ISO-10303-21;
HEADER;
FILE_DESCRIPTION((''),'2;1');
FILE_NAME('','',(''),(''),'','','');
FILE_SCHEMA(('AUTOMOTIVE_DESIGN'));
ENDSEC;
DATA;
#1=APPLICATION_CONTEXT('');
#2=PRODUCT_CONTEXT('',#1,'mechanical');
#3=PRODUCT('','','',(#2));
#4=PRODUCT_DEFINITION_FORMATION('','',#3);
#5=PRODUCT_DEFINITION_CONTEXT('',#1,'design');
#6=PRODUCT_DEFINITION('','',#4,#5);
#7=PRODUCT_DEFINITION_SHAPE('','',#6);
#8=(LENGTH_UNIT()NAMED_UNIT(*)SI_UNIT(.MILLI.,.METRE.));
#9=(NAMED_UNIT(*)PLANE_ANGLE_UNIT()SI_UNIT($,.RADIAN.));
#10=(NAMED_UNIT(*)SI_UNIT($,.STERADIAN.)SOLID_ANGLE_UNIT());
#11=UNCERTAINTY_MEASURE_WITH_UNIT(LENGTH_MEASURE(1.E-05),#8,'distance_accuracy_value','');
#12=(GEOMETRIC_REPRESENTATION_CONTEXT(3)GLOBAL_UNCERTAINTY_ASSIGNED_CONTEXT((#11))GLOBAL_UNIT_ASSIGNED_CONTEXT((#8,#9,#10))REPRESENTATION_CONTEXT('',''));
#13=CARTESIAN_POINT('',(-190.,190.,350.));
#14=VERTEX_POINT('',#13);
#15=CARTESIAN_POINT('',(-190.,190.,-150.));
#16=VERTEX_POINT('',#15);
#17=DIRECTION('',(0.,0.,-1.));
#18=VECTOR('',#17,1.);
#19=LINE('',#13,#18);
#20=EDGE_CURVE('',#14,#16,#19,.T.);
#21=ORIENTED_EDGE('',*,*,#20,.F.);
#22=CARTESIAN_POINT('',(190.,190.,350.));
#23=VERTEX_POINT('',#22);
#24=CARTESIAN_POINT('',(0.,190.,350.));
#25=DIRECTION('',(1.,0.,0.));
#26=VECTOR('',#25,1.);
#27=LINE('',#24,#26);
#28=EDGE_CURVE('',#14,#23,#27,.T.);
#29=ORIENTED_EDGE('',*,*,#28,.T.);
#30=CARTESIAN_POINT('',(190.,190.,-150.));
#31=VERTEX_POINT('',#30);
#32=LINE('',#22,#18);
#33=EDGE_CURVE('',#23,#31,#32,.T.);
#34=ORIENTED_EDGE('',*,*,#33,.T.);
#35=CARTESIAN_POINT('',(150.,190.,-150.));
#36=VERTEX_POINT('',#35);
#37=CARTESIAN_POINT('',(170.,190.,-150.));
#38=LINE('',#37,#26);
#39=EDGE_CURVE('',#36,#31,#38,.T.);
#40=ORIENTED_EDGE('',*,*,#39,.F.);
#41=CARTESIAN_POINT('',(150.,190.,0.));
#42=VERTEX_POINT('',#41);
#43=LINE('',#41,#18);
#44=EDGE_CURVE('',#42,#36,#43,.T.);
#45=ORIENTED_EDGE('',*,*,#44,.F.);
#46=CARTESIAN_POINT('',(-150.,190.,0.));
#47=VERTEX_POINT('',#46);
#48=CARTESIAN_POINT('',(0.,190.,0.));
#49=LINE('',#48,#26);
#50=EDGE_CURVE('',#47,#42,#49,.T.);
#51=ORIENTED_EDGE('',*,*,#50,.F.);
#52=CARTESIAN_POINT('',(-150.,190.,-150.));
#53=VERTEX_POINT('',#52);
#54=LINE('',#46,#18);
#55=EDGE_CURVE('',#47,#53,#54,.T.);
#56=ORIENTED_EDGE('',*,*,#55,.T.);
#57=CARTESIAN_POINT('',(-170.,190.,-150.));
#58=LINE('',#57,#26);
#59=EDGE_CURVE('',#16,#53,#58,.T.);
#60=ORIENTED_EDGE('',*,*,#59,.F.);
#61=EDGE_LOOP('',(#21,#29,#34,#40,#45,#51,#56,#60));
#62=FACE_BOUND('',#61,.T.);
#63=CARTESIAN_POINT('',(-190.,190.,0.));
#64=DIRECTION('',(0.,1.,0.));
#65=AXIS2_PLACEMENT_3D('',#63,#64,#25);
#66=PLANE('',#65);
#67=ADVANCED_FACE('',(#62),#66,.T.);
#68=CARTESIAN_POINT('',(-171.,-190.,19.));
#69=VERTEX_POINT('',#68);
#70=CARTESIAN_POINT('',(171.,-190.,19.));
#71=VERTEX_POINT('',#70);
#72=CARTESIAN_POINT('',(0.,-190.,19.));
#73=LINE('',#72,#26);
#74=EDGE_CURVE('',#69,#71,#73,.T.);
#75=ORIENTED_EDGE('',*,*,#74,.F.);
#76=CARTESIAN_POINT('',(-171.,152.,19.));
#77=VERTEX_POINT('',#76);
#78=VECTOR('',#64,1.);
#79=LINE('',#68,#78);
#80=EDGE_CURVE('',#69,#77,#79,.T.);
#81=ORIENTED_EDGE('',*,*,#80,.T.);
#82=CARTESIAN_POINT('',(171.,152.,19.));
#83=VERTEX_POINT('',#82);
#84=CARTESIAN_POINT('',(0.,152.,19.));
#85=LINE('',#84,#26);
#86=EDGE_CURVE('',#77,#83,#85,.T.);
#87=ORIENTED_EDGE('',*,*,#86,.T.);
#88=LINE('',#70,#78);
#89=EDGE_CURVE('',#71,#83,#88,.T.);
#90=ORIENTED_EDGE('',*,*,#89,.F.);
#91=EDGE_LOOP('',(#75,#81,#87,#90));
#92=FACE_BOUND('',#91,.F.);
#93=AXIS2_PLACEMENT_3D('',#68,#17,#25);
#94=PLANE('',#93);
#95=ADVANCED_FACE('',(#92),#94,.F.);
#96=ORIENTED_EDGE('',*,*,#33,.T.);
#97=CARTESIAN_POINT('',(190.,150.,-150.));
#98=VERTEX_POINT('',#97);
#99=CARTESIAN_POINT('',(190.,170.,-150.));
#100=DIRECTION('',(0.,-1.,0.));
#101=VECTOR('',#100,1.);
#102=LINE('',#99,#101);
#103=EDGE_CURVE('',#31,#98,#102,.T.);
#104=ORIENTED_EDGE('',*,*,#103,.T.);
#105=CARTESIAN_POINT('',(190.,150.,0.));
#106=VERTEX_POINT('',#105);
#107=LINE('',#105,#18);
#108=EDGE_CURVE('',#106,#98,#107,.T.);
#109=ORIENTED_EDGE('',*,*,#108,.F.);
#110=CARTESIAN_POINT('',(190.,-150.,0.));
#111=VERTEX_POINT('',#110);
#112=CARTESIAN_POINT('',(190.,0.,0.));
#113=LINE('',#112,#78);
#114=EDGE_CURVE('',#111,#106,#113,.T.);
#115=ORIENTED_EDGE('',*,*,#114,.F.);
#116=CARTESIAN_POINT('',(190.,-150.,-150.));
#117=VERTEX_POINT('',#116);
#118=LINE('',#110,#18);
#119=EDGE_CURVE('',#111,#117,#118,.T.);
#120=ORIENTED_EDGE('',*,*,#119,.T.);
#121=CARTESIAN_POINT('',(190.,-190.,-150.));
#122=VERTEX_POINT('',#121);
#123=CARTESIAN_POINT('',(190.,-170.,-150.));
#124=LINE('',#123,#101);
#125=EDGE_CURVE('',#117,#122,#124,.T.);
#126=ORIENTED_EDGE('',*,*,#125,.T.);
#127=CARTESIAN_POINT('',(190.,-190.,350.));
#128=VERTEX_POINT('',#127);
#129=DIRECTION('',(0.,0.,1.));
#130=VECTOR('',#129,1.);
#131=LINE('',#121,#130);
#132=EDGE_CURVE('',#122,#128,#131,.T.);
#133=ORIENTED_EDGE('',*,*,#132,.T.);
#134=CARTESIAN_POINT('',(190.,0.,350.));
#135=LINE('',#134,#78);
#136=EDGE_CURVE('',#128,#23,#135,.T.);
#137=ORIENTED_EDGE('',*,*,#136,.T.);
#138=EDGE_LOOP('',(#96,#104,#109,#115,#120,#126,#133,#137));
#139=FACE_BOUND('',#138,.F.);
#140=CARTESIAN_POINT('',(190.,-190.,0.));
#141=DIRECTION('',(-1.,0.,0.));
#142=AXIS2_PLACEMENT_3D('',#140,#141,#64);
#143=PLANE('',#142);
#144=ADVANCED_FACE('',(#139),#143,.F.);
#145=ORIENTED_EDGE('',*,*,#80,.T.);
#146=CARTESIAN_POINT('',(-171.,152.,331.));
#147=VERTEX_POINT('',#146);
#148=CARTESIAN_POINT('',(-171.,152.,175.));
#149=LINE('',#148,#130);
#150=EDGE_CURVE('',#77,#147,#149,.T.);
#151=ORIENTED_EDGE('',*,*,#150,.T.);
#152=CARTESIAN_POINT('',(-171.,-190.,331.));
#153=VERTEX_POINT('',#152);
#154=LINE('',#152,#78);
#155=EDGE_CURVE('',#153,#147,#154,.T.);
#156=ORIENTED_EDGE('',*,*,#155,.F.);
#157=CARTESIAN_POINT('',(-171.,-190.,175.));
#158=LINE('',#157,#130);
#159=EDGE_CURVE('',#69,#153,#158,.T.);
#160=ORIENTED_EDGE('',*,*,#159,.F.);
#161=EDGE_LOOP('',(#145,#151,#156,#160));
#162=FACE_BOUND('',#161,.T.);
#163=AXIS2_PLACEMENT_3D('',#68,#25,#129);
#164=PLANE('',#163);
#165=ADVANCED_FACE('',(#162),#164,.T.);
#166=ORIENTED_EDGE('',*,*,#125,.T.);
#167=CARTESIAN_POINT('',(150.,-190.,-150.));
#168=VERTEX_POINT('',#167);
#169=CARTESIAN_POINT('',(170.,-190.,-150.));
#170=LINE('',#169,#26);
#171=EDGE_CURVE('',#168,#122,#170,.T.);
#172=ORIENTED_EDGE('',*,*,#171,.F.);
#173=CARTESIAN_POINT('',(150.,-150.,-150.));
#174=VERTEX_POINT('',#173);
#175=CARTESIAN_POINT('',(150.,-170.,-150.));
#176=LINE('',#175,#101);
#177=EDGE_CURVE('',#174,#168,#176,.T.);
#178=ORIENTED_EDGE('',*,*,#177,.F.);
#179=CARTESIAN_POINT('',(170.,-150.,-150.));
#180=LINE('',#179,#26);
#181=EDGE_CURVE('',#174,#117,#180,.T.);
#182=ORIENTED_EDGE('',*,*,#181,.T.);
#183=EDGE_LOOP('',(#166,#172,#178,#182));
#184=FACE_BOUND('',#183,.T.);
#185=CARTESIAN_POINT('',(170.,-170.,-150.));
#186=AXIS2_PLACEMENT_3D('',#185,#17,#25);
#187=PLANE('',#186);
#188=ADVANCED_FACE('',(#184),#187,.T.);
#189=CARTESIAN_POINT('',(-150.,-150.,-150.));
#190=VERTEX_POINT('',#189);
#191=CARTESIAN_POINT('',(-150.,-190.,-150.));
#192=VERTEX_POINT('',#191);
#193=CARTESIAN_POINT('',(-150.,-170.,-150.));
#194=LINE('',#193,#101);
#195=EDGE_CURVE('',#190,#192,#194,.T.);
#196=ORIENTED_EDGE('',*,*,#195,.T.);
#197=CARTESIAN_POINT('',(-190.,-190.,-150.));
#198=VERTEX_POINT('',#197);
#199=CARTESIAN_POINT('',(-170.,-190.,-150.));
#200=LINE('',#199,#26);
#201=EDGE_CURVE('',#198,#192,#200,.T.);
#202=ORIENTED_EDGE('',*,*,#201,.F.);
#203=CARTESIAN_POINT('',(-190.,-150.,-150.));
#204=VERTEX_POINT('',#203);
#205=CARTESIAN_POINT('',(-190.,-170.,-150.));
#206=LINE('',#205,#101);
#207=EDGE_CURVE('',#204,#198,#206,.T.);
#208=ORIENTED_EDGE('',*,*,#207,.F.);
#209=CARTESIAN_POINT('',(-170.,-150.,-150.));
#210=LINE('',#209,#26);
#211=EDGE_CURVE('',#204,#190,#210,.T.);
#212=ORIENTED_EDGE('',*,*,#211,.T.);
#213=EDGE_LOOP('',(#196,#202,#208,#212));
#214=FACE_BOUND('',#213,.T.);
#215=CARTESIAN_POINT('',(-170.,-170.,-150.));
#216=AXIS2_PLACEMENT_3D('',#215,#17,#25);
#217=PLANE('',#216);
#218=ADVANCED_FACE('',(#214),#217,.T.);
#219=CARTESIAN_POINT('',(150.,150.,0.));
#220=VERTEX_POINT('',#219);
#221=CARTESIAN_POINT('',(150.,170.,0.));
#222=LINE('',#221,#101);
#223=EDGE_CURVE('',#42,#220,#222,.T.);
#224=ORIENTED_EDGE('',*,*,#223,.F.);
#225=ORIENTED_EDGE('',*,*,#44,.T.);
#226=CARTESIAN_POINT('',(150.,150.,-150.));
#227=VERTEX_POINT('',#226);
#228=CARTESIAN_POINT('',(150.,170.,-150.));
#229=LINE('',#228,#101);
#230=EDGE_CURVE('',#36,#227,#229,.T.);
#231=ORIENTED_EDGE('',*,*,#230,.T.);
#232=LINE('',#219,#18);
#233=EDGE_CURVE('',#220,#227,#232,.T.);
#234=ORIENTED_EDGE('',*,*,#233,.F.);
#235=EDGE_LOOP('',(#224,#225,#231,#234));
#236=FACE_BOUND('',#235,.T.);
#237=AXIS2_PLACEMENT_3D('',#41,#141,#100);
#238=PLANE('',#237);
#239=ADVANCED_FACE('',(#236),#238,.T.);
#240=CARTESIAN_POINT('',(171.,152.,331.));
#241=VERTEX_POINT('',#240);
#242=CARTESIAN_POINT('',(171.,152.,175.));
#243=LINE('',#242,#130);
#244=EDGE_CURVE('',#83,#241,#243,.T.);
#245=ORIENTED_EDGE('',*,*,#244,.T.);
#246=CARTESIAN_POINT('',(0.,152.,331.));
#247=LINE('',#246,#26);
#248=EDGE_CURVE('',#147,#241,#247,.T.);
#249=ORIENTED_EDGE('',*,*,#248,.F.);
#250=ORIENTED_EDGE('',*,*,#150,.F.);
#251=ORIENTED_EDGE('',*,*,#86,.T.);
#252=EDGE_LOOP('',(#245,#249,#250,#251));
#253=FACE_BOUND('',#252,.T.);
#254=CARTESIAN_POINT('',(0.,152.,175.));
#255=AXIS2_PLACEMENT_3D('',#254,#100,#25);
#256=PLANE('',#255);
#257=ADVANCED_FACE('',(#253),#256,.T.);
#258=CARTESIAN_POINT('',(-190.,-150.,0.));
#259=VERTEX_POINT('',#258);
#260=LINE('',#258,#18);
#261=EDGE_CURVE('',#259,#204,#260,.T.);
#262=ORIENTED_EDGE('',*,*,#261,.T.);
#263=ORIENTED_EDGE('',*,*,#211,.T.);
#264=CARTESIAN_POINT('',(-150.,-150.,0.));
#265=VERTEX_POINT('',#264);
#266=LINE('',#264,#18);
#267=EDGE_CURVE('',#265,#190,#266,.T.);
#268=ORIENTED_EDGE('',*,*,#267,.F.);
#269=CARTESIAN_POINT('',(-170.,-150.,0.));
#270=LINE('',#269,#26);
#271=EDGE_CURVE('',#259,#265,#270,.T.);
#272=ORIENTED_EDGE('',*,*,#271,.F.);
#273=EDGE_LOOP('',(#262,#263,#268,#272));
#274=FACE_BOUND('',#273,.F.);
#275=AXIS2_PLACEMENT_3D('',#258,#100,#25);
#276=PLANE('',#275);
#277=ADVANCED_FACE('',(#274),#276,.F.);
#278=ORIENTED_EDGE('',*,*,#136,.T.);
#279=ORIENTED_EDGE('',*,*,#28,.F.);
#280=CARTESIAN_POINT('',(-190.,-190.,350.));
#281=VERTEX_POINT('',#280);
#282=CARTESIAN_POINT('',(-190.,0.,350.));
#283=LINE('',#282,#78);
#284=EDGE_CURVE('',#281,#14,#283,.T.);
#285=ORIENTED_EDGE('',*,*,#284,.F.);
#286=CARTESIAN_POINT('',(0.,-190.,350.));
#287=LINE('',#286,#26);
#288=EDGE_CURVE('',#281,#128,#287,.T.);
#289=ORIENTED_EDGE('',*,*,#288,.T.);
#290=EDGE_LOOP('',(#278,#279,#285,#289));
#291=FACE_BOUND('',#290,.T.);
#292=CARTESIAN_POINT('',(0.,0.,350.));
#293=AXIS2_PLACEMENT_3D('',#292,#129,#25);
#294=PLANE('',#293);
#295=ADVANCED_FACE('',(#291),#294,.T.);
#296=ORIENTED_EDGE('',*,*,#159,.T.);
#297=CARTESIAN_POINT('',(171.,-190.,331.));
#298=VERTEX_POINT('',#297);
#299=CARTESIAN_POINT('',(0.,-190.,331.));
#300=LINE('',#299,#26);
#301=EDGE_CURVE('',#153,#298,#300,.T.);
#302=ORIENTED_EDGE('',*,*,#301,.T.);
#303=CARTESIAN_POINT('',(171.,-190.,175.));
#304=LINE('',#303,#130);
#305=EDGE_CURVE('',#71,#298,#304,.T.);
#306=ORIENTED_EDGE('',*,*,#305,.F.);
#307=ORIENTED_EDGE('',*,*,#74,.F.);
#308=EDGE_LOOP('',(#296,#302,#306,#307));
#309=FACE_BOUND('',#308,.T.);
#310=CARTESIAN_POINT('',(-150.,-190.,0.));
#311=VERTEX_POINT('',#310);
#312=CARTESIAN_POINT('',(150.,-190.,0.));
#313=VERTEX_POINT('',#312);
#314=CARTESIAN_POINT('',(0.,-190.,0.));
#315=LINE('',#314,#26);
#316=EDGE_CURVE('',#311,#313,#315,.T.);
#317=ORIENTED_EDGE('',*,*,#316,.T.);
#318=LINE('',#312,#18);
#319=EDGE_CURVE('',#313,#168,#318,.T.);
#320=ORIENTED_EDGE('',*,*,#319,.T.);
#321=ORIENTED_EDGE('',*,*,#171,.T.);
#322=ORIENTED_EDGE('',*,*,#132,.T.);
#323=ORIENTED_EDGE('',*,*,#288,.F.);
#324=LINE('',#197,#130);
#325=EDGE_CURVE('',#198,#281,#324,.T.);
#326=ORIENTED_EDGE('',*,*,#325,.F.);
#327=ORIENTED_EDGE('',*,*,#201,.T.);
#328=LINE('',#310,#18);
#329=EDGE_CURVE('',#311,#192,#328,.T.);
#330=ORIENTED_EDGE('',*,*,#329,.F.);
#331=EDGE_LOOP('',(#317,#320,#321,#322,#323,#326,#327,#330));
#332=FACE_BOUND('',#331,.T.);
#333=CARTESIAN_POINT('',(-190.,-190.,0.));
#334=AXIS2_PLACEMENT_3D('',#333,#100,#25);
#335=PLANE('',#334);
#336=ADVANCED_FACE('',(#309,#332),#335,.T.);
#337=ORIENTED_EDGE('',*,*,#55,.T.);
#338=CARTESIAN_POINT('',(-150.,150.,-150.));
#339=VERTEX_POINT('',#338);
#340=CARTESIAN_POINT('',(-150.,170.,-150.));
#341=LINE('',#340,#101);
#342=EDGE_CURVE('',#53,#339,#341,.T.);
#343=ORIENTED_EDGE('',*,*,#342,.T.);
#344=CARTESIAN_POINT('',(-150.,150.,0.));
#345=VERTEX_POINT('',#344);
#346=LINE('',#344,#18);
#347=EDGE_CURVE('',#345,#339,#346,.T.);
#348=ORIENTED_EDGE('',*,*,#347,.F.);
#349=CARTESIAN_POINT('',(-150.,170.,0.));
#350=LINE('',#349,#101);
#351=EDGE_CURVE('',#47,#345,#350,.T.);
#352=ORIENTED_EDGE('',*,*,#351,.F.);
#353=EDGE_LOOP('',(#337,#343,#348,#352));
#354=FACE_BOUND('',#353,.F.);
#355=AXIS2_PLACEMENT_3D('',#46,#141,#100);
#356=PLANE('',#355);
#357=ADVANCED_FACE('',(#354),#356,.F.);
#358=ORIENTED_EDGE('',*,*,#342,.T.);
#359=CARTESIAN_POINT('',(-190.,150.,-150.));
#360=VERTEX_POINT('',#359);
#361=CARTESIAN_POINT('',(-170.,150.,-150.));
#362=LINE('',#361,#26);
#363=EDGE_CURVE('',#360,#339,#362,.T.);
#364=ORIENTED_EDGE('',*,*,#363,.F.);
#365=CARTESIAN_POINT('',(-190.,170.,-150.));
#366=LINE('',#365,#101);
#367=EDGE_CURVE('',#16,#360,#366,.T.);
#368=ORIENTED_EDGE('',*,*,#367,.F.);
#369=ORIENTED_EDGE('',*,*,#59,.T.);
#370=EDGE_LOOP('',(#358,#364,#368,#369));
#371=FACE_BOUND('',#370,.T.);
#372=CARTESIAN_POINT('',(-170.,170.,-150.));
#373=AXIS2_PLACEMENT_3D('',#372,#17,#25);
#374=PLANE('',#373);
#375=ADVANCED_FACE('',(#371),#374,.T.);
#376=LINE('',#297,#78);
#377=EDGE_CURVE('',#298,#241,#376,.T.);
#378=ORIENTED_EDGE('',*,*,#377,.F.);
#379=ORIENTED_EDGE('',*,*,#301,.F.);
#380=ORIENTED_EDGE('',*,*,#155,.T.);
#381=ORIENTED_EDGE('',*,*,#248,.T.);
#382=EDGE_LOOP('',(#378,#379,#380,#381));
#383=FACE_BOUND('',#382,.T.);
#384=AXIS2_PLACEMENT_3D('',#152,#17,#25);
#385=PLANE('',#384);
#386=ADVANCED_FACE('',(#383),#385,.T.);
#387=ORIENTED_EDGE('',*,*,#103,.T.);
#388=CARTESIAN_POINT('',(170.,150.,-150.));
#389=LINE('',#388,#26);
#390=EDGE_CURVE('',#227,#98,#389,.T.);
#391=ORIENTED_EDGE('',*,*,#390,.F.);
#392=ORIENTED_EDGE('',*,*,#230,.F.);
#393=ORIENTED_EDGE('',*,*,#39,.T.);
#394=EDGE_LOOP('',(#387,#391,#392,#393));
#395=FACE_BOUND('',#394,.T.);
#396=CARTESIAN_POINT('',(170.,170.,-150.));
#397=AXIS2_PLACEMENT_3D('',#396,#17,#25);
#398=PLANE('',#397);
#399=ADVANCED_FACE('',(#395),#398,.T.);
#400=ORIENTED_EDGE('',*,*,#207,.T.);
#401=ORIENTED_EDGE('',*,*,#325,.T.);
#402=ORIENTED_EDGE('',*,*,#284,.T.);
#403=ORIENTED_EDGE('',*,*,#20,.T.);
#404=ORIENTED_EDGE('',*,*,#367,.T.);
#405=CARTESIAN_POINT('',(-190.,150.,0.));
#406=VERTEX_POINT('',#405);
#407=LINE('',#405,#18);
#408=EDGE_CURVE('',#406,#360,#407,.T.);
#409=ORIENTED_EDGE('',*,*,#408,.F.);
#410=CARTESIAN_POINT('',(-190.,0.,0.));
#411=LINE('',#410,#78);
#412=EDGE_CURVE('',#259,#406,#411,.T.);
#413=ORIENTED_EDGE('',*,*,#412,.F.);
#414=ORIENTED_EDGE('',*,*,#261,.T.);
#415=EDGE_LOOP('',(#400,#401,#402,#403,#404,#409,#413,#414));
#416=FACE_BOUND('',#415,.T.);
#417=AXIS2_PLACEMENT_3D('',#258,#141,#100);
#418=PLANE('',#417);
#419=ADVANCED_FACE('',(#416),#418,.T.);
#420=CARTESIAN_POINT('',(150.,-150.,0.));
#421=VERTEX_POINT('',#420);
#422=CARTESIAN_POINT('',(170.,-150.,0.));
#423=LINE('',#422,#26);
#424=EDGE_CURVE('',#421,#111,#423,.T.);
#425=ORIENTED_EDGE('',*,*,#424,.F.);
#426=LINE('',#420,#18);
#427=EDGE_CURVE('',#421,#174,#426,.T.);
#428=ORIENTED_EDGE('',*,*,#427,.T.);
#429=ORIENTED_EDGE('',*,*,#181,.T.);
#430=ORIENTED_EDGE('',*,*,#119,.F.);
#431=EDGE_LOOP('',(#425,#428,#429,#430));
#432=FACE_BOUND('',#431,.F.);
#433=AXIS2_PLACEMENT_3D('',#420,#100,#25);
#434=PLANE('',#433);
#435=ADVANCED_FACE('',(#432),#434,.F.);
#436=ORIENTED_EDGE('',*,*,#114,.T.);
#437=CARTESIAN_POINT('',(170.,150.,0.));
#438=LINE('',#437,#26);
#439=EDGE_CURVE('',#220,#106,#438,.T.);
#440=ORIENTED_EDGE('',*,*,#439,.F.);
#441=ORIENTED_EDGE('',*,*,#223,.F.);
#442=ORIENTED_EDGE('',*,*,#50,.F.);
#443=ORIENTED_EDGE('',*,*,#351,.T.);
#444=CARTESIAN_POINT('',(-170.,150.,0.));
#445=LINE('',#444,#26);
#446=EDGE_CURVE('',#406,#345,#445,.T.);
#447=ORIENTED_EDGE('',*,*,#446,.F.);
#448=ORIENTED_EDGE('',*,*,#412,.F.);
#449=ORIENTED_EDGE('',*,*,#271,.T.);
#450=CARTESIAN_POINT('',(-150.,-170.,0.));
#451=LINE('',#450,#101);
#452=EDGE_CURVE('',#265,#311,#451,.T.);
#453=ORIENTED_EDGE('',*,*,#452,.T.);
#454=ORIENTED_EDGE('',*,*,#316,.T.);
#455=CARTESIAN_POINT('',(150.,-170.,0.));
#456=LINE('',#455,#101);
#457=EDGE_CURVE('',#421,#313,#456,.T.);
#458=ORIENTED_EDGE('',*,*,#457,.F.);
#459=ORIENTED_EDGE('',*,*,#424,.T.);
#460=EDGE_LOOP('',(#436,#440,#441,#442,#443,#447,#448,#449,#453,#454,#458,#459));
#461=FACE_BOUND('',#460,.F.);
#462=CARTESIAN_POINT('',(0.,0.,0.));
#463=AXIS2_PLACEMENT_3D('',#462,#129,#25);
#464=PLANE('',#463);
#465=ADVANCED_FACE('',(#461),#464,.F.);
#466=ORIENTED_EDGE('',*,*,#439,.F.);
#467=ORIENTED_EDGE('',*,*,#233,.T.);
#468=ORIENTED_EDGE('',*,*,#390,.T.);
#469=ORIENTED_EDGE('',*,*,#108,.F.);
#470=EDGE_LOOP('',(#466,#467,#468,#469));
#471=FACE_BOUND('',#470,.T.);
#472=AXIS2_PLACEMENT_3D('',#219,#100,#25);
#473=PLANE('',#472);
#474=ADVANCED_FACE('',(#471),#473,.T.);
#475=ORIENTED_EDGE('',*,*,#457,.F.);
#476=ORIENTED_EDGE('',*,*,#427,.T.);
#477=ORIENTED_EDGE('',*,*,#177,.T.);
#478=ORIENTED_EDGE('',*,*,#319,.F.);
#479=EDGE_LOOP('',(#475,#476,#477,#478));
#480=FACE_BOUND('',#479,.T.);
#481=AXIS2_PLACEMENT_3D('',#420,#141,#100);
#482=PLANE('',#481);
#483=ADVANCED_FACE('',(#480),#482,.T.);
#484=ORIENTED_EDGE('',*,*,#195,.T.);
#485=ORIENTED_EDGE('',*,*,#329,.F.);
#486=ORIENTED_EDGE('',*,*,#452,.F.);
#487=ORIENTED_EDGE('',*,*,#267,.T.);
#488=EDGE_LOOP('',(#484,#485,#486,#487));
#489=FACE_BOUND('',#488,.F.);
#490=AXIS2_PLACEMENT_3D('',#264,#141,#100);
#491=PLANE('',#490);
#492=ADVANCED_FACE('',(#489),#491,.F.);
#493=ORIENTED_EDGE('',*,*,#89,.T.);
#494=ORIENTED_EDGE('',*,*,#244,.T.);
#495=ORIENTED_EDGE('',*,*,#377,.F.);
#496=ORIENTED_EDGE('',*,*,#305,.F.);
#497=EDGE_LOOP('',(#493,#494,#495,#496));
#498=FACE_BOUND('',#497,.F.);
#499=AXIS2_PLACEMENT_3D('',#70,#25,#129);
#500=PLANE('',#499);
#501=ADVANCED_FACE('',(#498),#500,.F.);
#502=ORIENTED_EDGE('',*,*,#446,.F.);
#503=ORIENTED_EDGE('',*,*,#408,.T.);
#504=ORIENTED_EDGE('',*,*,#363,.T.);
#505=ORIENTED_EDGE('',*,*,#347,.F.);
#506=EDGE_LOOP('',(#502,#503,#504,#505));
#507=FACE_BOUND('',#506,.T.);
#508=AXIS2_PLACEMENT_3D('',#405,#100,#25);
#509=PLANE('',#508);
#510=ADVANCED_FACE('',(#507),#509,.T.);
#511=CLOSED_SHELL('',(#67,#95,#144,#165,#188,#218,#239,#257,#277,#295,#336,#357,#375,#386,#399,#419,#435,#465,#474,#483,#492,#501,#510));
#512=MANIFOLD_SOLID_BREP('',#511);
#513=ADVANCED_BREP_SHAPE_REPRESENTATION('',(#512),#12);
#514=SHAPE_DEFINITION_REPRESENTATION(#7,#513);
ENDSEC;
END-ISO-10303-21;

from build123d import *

# Parameters (mm, degrees)
F0_W     = 380
F0_H     = 380
F1_DEPTH = 350
F2_W     = 342
F2_H     = 312
F3_DEPTH = 342
F4_W     = 40
F4_H     = 40
F5_DEPTH = 150


with BuildPart() as f1:
    # F0 (on Top) → F1 (new body)
    with BuildSketch(Plane.XY):
        Rectangle(F0_W, F0_H)
    extrude(amount=F1_DEPTH)

    # F2 (on face) → F3 (cut)
    with BuildSketch(Plane.XZ.offset(190)):
        with Locations((0, 175)):
            Rectangle(F2_W, F2_H)
    extrude(amount=-F3_DEPTH, mode=Mode.SUBTRACT)

    # F4 (on face) → F5 (join)
    with BuildSketch(Plane(origin=(0, 0, 0), x_dir=(1, 0, 0), z_dir=(0, 0, -1))):
        with Locations((-170, 170)):
            Rectangle(F4_W, F4_H)
        with Locations((170, 170)):
            Rectangle(F4_W, F4_H)
        with Locations((170, -170)):
            Rectangle(F4_W, F4_H)
        with Locations((-170, -170)):
            Rectangle(F4_W, F4_H)
    extrude(amount=F5_DEPTH)


solid = f1.part
